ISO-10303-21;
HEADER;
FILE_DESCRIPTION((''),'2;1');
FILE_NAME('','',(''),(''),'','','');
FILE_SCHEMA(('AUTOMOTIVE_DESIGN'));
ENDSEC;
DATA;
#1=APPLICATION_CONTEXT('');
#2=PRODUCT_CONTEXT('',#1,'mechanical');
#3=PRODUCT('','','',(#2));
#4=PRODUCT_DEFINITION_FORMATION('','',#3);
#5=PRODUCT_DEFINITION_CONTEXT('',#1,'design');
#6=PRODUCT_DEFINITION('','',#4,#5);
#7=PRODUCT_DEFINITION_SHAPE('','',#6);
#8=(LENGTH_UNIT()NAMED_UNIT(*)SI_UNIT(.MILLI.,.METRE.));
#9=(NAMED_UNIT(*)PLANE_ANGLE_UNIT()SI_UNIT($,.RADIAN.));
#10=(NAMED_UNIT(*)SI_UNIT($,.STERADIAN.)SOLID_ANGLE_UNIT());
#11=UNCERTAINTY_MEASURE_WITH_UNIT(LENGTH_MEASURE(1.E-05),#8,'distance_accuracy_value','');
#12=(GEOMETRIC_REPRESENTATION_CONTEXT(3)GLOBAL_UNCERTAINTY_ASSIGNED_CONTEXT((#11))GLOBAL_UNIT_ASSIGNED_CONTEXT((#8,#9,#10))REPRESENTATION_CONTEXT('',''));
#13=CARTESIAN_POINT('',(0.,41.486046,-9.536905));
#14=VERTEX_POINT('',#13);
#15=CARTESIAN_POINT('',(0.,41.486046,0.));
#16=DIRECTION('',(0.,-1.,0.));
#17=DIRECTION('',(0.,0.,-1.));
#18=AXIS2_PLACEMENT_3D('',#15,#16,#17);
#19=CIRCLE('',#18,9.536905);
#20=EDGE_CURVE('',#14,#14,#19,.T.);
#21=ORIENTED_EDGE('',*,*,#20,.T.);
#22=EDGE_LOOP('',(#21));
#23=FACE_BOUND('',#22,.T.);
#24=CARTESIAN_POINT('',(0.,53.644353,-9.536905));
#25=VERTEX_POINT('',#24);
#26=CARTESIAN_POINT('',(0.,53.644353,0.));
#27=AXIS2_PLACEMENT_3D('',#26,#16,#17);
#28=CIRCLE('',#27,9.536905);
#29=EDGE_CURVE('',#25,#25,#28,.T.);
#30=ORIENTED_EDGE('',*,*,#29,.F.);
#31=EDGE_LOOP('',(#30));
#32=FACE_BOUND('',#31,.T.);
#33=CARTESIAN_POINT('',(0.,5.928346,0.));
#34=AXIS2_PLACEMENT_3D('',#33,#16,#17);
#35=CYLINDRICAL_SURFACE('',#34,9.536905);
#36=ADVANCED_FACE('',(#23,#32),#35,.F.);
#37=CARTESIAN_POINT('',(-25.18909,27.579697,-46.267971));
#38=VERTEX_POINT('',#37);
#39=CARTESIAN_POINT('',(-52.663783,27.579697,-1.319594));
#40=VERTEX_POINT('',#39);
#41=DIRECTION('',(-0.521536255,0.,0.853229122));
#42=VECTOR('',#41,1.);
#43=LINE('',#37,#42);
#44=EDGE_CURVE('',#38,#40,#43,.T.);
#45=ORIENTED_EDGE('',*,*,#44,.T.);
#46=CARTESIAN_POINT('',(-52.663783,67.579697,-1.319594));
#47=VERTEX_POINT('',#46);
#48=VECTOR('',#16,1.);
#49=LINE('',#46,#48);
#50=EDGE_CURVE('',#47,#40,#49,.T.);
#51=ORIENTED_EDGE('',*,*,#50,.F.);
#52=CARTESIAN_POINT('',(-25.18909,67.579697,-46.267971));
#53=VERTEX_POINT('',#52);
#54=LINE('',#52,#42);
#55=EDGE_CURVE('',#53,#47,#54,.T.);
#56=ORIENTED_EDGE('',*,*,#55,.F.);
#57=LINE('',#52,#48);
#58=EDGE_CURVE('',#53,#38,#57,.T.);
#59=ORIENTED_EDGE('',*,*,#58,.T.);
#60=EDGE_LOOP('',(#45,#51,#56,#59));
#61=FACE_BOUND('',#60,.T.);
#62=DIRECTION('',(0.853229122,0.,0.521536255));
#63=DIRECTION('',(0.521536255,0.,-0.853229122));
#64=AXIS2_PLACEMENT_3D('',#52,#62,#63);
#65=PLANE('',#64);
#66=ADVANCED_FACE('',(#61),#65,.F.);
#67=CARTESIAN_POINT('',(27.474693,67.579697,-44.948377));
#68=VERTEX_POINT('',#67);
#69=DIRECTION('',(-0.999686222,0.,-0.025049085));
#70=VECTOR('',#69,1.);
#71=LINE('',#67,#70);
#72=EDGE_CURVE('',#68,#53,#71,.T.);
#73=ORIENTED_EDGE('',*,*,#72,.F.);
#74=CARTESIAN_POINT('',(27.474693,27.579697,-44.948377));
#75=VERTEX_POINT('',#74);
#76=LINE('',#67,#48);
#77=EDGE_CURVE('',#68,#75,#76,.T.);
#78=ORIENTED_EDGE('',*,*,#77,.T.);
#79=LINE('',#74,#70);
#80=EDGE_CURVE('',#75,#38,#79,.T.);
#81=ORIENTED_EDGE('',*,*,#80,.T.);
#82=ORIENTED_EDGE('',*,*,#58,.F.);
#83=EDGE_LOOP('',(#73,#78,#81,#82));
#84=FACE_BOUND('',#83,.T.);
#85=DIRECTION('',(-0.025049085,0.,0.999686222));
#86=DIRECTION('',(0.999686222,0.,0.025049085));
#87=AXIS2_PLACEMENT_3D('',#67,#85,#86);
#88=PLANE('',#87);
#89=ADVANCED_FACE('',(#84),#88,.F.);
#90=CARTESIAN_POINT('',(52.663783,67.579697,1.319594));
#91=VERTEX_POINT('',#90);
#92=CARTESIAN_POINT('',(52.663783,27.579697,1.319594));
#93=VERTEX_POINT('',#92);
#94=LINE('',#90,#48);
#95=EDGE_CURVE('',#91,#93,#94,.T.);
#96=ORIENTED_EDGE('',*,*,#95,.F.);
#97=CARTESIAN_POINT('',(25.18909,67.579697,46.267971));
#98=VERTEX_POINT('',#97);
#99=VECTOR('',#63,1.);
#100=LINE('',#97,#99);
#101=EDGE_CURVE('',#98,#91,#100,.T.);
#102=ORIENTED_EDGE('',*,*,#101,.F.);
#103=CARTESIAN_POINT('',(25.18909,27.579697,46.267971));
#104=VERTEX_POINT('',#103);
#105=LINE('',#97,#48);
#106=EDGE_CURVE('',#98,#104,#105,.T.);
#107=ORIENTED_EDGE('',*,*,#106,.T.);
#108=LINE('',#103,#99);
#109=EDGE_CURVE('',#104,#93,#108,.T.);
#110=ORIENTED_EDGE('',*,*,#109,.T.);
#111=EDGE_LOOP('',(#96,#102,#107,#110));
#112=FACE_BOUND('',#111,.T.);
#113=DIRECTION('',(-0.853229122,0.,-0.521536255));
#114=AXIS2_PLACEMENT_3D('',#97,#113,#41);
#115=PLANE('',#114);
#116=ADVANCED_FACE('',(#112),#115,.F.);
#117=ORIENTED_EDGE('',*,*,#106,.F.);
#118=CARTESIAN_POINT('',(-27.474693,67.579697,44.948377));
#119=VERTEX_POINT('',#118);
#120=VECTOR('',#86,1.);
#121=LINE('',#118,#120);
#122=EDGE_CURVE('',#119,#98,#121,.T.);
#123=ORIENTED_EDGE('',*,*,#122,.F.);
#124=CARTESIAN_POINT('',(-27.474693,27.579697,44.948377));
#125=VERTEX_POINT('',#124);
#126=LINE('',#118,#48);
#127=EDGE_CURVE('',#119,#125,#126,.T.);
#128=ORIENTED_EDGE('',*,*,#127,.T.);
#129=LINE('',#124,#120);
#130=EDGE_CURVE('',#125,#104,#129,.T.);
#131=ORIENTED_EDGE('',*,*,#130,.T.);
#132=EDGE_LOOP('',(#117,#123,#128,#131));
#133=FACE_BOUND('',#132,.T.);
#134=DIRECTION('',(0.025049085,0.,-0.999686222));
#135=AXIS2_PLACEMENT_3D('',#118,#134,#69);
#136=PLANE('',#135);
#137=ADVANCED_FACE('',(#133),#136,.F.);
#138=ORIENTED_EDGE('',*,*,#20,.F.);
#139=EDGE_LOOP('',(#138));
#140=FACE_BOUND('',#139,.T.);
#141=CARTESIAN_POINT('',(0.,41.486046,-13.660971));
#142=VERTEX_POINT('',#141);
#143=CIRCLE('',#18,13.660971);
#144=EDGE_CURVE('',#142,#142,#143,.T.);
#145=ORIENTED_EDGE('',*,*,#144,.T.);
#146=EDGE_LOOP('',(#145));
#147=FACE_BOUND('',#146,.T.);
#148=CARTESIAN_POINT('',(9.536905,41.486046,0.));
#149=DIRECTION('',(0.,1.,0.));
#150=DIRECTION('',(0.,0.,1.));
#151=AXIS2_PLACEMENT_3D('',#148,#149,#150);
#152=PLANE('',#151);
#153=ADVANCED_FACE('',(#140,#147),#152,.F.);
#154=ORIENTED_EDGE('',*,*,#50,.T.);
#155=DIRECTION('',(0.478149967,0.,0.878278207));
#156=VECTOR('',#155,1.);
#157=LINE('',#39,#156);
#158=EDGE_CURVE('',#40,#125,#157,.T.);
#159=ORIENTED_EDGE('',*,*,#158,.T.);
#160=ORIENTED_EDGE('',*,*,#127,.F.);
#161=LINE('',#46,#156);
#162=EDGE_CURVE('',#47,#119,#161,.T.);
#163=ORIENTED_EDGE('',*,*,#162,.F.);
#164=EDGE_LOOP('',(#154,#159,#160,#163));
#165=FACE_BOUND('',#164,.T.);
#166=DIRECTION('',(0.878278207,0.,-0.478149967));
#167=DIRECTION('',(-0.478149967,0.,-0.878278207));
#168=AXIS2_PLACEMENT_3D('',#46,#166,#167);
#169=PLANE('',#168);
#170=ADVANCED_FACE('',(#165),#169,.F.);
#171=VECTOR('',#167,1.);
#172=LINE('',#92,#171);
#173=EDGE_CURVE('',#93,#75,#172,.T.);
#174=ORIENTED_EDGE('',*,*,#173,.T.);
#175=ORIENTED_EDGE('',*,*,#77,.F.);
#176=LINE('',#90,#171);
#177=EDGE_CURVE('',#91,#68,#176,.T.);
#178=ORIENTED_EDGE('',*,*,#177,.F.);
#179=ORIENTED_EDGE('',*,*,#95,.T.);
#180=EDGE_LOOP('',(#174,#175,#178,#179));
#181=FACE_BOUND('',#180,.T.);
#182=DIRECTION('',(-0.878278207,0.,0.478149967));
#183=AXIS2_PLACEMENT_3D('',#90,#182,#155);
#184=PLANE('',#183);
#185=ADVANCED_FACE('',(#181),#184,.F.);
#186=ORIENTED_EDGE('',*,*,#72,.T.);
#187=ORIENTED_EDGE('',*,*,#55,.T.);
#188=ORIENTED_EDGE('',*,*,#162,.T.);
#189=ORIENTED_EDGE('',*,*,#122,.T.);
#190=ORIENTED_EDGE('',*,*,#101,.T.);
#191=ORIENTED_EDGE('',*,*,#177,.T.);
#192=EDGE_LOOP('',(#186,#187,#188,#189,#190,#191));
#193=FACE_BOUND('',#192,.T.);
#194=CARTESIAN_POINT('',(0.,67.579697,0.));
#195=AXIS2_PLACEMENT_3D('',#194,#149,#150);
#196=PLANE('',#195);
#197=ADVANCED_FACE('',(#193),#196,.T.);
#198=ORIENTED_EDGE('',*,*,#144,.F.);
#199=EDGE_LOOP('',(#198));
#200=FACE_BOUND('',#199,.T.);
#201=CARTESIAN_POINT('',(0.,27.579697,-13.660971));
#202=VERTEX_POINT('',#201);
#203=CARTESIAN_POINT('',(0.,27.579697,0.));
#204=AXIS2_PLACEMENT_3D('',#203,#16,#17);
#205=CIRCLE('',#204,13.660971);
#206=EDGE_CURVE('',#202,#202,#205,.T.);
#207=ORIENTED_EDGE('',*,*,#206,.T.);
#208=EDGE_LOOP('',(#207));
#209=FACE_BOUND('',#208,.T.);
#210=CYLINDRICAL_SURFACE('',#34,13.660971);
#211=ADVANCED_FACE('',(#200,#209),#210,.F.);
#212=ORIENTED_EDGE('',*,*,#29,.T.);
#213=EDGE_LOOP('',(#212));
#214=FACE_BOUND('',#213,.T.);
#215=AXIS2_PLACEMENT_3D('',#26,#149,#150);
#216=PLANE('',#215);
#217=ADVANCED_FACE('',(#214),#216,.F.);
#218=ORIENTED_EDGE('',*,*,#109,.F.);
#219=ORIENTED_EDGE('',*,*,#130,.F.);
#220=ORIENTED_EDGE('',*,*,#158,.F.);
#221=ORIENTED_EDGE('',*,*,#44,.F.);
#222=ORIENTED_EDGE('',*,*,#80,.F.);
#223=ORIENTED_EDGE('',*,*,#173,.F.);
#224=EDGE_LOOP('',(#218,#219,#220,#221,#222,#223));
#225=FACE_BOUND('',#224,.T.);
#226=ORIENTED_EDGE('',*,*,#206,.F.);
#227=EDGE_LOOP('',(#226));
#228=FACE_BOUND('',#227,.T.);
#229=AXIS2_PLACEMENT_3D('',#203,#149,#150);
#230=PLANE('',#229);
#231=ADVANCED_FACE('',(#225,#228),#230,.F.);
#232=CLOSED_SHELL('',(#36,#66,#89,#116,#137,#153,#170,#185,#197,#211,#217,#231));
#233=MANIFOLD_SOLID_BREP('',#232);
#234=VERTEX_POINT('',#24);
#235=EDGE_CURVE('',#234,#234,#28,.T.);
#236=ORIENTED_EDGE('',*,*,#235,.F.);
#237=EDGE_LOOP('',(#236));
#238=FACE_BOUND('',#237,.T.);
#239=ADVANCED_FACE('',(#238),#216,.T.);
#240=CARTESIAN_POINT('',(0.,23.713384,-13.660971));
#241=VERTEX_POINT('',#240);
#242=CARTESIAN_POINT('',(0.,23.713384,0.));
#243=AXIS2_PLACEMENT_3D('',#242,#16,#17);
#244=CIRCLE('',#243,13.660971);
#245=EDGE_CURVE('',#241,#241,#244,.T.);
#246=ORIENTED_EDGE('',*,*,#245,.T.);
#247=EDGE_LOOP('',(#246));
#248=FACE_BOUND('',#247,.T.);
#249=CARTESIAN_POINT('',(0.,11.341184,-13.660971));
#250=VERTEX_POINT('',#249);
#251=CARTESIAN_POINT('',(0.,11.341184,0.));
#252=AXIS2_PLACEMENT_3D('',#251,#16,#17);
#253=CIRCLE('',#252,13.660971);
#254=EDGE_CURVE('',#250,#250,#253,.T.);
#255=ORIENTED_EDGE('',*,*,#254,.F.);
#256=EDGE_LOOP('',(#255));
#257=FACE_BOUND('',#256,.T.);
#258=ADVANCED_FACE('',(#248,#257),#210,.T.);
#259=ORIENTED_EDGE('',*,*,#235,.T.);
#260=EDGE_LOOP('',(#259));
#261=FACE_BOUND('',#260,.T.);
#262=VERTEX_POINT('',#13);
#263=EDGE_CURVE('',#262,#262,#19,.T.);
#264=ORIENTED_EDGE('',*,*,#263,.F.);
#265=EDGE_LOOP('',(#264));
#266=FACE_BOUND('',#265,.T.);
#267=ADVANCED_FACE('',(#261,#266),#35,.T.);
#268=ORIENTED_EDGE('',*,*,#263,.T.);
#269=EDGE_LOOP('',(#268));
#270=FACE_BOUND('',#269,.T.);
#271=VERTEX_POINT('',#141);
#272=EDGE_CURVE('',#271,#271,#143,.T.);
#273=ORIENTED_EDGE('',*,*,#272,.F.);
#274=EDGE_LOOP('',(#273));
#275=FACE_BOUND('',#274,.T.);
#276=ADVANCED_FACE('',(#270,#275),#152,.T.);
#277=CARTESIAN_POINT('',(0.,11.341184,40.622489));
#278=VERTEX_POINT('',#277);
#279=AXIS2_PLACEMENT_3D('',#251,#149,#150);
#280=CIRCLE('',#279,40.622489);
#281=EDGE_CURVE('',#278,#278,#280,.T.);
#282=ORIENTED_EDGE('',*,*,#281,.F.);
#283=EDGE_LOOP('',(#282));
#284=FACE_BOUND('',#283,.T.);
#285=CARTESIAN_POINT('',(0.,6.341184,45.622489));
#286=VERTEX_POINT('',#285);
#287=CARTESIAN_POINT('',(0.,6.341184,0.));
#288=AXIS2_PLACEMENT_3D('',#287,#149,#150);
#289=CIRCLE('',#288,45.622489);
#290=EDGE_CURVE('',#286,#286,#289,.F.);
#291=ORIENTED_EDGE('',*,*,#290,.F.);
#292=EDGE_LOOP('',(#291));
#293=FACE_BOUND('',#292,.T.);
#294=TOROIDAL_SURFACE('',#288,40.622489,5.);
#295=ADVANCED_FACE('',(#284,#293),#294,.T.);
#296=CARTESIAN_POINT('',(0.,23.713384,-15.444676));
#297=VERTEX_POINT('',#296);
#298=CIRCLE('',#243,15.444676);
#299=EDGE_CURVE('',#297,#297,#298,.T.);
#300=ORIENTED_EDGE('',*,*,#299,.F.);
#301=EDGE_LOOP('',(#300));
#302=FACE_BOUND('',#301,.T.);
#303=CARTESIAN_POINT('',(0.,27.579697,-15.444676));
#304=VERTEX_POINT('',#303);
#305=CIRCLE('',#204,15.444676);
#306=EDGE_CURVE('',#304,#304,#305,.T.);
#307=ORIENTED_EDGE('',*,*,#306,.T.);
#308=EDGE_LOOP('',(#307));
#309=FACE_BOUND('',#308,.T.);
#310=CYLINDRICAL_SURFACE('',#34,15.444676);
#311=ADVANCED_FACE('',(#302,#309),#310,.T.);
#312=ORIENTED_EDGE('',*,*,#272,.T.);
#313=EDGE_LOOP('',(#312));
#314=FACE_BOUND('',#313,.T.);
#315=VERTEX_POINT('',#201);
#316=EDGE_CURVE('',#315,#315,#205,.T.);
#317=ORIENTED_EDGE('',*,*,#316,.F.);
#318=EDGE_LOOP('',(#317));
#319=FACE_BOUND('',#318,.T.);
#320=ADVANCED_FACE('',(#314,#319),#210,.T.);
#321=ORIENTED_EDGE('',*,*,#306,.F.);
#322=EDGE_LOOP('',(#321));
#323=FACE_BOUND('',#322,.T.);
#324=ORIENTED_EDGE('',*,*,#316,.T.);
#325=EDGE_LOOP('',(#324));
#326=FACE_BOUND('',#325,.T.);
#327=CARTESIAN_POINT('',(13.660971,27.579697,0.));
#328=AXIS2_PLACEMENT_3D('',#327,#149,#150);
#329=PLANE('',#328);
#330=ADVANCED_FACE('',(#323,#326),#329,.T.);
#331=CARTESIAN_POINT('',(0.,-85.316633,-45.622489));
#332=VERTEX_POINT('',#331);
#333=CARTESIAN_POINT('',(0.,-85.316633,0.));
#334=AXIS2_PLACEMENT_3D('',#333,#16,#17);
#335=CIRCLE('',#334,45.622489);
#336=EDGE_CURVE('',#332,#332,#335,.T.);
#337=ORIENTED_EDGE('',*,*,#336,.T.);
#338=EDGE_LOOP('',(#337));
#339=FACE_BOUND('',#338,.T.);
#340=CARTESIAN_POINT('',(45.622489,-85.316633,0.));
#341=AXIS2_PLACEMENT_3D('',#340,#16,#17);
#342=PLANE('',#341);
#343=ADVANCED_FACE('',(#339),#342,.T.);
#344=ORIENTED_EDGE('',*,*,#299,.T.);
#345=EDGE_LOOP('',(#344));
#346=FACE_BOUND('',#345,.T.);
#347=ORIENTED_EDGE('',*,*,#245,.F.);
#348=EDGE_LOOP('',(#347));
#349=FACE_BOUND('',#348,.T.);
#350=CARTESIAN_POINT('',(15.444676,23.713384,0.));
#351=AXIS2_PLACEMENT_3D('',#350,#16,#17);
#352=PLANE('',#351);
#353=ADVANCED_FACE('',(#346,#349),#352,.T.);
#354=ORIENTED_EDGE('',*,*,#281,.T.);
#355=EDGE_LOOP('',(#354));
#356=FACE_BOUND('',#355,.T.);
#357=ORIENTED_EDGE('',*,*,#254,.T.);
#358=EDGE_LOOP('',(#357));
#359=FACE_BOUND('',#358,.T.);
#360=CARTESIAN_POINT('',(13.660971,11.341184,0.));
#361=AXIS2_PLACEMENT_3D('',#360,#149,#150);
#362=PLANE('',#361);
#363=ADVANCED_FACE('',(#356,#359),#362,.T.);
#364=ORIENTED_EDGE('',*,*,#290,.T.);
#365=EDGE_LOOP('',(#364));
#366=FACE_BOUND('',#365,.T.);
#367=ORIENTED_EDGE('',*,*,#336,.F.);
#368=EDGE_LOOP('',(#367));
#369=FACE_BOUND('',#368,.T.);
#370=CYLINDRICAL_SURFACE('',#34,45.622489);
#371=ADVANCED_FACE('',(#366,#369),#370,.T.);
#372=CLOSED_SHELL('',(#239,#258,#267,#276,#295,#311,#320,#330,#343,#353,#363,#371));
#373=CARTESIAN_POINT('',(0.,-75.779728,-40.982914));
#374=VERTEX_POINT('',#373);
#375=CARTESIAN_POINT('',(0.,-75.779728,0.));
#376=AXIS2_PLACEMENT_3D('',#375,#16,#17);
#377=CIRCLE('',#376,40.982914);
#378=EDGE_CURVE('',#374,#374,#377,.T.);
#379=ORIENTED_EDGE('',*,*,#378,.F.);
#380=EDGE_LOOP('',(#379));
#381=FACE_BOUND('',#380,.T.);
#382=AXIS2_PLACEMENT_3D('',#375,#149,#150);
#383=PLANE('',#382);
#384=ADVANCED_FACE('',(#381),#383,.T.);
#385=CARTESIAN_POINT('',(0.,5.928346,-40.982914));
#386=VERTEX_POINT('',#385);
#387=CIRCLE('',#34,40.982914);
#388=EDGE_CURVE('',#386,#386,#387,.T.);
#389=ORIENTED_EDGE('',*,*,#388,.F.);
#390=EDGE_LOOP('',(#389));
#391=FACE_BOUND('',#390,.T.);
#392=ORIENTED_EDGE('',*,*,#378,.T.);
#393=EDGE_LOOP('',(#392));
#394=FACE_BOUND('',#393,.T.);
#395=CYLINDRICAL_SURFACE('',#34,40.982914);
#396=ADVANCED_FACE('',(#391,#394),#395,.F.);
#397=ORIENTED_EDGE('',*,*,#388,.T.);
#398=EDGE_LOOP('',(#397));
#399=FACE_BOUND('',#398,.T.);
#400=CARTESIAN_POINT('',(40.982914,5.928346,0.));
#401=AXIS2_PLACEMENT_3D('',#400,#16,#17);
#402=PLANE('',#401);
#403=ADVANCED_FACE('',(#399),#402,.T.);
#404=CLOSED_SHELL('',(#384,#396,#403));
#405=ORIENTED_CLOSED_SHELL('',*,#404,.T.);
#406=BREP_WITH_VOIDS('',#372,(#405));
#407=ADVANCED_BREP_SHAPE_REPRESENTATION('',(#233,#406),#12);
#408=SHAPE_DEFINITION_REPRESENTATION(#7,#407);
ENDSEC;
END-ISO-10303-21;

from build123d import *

# Parameters (mm, degrees)
FILLET1_R           = 5
BOSS_EXTRUDE1_DEPTH = 40


with BuildPart() as part:
    # Sketch1 → Revolve1 (revolve)
    with BuildSketch(Plane.XY):
        Polygon((0, 53.644352642), (9.536904547, 53.644352642), (9.536904547, 41.486045656), (13.660971378, 41.486045656), (13.660971378, 27.579696934), (15.444675892, 27.579696934), (15.444675892, 23.71338428), (13.660971378, 23.71338428), (13.660971378, 11.341183786), (45.622489321, 11.341183786), (45.622489321, -85.316632571), (0, -85.316632571), (0, -75.779728024), (40.982914135, -75.779728024), (40.982914135, 5.92834607), (0, 5.92834607), align=None)
    revolve(axis=Axis((0, 5.92834607, 0), (0, 1, 0)))

    # Fillet1
    fillet1_edges = [part.edges().sort_by_distance(p)[0] for p in [
        (-45.622489321, 11.341183786, 0),
    ]]
    fillet(fillet1_edges, radius=FILLET1_R)


with BuildPart() as body_2:
    # Sketch2 → Boss-Extrude1 (new body)
    with BuildSketch(Plane(origin=(0, 27.579696934, 0), x_dir=(1, 0, 0), z_dir=(0, 1, 0))):
        Polygon((52.66378308, -1.319593653), (27.474693167, 44.94837718), (-25.189089914, 46.267970834), (-52.66378308, 1.319593653), (-27.474693167, -44.94837718), (25.189089914, -46.267970834), align=None)
    extrude(amount=BOSS_EXTRUDE1_DEPTH)

    # Sketch1<2> → Cut-Revolve1 (revolve, cut)
    with BuildSketch(Plane.XY):
        Polygon((0, 53.644352642), (9.536904547, 53.644352642), (9.536904547, 41.486045656), (13.660971378, 41.486045656), (13.660971378, 27.579696934), (15.444675892, 27.579696934), (15.444675892, 23.71338428), (13.660971378, 23.71338428), (13.660971378, 11.341183786), (45.622489321, 11.341183786), (45.622489321, -85.316632571), (0, -85.316632571), (0, -75.779728024), (40.982914135, -75.779728024), (40.982914135, 5.92834607), (0, 5.92834607), align=None)
    revolve(axis=Axis((0, 5.92834607, 0), (0, 1, 0)), mode=Mode.SUBTRACT)


solid = Compound([part.part, body_2.part])
